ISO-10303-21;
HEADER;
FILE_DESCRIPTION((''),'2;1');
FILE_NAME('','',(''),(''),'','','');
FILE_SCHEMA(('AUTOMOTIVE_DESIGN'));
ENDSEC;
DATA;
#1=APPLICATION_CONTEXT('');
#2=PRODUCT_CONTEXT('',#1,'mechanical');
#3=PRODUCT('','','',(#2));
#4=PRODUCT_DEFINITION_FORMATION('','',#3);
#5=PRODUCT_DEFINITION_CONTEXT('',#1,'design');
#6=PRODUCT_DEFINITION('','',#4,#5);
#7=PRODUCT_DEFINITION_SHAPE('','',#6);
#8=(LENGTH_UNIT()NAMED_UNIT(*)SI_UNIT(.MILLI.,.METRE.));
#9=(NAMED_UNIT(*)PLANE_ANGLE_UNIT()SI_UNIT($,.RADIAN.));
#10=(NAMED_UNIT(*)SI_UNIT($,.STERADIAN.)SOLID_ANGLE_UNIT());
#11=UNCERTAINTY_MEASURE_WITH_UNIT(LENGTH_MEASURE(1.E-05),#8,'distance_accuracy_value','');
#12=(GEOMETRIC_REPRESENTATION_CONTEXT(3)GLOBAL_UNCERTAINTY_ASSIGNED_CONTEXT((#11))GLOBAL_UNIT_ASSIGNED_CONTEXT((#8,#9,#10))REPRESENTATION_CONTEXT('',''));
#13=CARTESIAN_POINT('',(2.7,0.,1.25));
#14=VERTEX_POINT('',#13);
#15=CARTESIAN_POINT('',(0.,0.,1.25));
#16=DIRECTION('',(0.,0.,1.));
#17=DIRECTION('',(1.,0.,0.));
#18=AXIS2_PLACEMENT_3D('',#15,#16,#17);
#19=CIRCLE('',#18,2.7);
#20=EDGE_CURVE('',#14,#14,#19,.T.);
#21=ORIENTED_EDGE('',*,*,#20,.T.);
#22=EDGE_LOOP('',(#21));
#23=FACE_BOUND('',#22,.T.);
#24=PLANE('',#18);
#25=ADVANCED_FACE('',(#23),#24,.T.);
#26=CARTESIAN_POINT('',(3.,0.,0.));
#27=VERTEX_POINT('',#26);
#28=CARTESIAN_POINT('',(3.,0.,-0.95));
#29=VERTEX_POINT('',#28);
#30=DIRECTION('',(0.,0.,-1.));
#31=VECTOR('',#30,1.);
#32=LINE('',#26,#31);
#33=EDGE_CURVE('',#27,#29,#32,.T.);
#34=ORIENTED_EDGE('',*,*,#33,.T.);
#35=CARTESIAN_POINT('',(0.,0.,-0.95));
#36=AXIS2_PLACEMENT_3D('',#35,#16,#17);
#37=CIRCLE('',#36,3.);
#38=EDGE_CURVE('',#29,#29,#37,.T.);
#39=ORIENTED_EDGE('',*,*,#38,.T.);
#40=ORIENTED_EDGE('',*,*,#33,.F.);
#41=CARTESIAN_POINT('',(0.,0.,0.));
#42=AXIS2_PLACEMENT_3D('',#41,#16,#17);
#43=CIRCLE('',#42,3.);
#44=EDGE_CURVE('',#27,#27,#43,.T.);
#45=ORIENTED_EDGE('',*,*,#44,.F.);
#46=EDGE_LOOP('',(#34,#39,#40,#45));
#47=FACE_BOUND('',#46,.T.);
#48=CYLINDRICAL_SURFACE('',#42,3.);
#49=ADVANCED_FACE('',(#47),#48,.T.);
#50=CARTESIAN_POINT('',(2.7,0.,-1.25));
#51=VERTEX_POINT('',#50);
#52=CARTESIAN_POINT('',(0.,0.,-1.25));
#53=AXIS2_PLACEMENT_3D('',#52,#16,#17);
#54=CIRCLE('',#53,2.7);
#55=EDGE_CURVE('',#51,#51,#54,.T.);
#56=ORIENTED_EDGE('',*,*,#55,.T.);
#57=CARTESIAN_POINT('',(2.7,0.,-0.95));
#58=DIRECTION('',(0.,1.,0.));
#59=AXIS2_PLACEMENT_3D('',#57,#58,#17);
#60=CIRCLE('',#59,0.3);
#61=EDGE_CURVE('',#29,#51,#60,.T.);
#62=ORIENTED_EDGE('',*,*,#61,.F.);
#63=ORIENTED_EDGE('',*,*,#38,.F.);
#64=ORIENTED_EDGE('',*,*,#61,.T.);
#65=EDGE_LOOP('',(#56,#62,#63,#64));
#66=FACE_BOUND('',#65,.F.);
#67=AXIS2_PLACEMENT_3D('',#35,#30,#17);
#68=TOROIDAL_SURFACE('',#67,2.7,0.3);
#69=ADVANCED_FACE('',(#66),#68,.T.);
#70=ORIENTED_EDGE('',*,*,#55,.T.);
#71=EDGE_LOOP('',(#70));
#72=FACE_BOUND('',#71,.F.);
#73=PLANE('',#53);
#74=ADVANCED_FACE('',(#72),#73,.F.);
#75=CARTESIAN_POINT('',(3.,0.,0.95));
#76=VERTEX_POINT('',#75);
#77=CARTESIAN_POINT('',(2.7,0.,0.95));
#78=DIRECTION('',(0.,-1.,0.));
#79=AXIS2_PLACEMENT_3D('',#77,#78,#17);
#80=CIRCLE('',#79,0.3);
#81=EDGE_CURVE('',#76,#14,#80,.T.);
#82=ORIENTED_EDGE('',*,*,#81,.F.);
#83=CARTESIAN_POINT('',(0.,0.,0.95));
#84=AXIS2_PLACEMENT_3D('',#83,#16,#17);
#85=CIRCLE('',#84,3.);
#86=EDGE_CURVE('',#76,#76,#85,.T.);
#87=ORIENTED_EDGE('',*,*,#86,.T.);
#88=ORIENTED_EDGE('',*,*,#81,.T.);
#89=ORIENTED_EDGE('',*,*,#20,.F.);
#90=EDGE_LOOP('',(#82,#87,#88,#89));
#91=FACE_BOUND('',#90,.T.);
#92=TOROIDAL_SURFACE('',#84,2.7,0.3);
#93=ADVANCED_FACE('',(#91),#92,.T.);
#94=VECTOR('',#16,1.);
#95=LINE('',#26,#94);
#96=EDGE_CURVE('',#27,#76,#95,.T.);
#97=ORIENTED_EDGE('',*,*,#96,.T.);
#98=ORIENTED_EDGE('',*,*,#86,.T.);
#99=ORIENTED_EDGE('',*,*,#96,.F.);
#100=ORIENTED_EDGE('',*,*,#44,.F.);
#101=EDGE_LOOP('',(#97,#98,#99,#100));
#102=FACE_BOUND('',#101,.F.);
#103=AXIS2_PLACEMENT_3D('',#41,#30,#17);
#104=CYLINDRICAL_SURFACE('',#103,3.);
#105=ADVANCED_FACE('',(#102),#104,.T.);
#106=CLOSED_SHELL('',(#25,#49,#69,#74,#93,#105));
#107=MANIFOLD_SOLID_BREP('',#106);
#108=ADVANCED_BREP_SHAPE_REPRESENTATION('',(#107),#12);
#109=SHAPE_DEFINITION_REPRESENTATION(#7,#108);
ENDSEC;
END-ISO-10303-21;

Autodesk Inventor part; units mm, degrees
ref_plane "YZ Plane" through (0, 0, 0) normal (1, 0, 0) x (0, 1, 0)
ref_plane "XZ Plane" through (0, 0, 0) normal (0, 1, 0) x (-1, 0, 0)
ref_plane "XY Plane" through (0, 0, 0) normal (0, 0, 1) x (1, 0, 0)
sketch "Sketch1" plane through (0, 0, 0) normal (0, 0, 1) x (1, 0, 0)
  circle A0 centre (0, 0) radius 3
  dimension "d0" = 6
extrude "Extrusion1" add sketch "Sketch1" along normal mid plane 2.5
fillet "Fillet1" radius 0.3 2 edges at (-3, 0, 1.25) (-3, 0, -1.25)
properties part number "magnet-6x2.5"
